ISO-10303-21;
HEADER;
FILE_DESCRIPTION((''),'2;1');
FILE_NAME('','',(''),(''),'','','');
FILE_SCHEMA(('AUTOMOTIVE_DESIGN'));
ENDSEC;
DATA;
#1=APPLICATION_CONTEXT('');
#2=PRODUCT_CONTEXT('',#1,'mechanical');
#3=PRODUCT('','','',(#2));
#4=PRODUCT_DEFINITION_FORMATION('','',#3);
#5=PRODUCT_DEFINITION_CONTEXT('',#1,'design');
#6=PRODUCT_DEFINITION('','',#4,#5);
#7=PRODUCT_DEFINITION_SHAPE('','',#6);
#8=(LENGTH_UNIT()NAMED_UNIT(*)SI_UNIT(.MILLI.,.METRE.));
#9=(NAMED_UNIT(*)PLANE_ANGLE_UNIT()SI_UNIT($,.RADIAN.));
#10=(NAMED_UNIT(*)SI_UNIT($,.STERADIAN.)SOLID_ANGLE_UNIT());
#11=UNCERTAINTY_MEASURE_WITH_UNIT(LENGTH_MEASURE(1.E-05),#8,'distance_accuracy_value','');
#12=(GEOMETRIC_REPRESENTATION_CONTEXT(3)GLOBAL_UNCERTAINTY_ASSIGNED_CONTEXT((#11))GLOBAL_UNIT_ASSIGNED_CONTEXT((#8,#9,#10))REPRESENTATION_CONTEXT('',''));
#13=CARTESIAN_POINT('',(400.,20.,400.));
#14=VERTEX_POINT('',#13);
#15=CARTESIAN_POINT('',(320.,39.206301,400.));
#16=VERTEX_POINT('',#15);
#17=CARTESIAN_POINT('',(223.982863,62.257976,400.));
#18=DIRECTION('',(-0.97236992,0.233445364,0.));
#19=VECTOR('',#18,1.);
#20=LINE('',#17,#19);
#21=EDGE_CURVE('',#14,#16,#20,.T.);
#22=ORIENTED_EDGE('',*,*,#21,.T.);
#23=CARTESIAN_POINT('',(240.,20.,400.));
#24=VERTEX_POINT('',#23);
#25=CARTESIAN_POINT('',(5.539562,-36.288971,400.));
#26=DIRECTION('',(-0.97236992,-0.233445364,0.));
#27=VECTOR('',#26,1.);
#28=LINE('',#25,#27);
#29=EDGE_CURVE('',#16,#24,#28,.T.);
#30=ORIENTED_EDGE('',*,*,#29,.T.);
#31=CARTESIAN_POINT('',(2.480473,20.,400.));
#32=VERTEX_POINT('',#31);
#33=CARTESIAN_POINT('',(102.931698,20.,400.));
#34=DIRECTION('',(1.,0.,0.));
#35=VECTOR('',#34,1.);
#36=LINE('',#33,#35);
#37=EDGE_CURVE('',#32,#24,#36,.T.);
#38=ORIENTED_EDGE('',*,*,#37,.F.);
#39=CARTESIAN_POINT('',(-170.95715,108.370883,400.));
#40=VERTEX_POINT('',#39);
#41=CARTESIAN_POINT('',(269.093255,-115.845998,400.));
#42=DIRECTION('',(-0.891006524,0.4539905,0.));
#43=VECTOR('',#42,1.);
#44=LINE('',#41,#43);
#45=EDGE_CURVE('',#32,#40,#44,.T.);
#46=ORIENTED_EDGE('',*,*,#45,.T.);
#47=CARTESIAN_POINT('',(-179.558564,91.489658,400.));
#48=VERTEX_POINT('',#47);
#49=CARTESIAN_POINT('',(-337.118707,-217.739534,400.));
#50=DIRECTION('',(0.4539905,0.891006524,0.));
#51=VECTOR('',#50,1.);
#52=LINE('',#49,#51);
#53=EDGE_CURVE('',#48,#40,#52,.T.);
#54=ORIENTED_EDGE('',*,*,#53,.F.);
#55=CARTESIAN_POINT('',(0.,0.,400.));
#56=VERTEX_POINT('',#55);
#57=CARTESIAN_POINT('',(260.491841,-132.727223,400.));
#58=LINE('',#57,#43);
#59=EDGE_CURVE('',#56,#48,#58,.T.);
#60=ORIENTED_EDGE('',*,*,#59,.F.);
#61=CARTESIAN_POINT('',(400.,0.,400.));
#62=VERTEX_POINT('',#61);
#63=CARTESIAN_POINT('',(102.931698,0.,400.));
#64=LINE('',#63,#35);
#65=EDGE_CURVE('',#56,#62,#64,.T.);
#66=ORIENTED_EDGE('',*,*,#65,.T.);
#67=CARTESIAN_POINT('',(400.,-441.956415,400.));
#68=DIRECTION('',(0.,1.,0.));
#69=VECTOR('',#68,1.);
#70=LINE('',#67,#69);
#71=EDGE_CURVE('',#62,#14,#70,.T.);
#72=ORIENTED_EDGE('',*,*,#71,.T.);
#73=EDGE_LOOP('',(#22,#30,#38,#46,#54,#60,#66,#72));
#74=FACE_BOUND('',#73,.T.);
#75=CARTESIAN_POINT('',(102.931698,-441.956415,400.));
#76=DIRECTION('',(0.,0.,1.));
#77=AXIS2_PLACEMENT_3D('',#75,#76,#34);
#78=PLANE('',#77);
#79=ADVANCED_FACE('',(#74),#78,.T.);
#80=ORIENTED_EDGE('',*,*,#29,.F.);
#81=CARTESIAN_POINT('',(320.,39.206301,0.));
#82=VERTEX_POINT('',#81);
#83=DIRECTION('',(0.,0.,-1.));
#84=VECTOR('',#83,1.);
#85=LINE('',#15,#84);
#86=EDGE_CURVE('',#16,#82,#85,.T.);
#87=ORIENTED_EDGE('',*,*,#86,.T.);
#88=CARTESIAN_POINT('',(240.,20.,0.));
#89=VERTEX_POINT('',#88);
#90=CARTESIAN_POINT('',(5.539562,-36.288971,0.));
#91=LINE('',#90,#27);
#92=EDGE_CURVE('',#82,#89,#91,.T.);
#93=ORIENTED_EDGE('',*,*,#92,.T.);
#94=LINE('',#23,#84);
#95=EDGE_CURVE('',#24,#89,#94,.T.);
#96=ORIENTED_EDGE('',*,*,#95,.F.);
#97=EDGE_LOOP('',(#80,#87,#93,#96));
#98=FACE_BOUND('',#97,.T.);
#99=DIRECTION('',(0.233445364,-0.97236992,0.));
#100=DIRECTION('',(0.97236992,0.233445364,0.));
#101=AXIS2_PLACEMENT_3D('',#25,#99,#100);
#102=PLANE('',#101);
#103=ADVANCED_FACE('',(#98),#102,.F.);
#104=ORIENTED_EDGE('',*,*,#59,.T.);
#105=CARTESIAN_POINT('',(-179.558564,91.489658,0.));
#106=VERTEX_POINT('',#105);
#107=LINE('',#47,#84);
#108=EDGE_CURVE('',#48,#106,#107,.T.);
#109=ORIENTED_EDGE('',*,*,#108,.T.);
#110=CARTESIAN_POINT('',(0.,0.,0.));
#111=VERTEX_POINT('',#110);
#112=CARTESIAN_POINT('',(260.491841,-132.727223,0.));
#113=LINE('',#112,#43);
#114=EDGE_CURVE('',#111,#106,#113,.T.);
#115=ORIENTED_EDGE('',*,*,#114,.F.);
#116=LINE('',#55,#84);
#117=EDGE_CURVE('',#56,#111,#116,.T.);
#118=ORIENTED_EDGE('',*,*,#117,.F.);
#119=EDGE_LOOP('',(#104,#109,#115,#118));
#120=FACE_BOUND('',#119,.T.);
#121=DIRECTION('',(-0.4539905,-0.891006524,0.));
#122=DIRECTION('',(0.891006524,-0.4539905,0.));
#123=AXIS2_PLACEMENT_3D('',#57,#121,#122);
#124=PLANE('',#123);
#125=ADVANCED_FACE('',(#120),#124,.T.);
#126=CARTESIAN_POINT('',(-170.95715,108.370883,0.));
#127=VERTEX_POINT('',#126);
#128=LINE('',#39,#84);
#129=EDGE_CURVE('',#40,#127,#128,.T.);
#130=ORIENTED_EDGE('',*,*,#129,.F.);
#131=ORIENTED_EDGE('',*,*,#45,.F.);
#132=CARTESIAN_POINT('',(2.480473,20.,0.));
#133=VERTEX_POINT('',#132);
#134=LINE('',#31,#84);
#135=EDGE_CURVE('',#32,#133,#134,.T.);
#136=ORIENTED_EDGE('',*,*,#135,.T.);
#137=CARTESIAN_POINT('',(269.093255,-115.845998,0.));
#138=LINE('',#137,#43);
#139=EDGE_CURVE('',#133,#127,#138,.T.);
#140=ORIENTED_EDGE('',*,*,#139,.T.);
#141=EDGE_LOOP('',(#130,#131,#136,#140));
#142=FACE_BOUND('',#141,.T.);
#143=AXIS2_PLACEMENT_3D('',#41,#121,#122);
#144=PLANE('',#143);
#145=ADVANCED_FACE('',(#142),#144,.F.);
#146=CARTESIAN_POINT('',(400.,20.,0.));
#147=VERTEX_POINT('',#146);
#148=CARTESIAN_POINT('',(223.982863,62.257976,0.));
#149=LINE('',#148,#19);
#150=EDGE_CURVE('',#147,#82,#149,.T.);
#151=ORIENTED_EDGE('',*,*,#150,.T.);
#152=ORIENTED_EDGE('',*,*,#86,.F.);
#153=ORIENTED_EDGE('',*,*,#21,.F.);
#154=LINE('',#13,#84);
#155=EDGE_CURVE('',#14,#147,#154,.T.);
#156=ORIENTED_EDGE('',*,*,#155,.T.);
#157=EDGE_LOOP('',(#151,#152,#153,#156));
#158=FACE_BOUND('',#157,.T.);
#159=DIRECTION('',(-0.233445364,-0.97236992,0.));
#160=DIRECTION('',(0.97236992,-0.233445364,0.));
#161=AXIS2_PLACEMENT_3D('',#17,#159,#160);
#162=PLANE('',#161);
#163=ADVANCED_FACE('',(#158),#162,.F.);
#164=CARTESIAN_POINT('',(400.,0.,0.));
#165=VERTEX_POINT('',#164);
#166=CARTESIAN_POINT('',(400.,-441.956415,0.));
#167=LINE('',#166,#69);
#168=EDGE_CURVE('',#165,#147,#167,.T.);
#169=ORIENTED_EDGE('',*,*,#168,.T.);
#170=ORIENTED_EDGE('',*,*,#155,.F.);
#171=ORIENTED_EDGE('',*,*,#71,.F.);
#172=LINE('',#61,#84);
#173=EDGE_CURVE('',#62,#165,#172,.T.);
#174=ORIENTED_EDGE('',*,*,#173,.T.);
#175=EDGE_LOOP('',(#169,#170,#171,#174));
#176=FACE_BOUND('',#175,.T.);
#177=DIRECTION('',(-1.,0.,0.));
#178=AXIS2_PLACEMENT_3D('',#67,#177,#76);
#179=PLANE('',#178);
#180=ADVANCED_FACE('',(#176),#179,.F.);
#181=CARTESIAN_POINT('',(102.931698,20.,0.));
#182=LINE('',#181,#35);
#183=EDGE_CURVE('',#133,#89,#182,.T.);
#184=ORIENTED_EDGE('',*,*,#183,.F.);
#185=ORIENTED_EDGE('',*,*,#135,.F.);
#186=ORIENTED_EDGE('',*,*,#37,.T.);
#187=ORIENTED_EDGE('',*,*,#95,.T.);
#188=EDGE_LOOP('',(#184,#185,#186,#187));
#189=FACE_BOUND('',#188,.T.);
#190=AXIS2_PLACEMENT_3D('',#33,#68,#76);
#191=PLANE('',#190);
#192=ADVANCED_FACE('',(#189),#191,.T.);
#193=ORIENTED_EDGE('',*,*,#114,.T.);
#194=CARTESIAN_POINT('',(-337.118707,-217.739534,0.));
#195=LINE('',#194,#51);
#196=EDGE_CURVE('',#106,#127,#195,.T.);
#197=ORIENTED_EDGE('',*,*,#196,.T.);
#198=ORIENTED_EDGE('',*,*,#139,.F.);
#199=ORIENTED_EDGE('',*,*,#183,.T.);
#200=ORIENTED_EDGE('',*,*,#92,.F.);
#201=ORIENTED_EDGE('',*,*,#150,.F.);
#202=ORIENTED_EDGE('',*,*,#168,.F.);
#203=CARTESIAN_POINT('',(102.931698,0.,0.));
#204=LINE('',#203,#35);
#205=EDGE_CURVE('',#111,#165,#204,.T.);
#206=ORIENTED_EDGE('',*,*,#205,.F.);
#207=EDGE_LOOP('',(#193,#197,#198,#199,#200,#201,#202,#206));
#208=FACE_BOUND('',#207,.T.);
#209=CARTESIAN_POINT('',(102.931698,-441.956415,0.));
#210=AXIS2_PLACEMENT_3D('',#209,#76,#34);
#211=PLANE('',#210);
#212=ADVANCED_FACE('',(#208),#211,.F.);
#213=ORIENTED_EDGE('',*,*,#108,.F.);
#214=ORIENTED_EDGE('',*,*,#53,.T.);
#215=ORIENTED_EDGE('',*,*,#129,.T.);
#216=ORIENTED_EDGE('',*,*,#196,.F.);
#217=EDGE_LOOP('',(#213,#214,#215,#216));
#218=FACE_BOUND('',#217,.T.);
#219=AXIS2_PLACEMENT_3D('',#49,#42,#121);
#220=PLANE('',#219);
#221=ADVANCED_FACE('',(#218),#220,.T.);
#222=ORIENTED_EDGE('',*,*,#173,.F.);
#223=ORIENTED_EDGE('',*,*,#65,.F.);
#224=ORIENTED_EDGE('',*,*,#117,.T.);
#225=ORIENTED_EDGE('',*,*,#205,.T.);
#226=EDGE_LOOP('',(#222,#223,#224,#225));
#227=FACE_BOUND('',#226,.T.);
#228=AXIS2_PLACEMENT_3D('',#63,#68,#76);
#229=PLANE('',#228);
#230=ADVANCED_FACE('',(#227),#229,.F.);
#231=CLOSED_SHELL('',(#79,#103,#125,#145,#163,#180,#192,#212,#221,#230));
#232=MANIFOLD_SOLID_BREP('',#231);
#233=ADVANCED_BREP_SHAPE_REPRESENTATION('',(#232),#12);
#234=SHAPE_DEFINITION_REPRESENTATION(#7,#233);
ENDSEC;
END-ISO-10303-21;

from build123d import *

# Parameters (mm, degrees)
RESSALTO_EXTRUS_O1_DEPTH = 400


with BuildPart() as part:
    # Esboço1 → Ressalto-extrusão1 (new body)
    with BuildSketch(Plane.XY):
        Polygon((8.601413754, 16.881224995), (0, 0), (400, 0), (400, 20), (240, 20), (2.480473166, 20), align=None)
        Polygon((-179.558563965, 91.489658015), (0, 0), (0, 20), (2.480473166, 20), (-170.957150212, 108.37088301), align=None)
        Polygon((0, 20), (0, 0), (8.601413754, 16.881224995), (2.480473166, 20), align=None)
        Polygon((240, 20), (400, 20), (320, 39.206300726), align=None)
    extrude(amount=RESSALTO_EXTRUS_O1_DEPTH)


solid = part.part
